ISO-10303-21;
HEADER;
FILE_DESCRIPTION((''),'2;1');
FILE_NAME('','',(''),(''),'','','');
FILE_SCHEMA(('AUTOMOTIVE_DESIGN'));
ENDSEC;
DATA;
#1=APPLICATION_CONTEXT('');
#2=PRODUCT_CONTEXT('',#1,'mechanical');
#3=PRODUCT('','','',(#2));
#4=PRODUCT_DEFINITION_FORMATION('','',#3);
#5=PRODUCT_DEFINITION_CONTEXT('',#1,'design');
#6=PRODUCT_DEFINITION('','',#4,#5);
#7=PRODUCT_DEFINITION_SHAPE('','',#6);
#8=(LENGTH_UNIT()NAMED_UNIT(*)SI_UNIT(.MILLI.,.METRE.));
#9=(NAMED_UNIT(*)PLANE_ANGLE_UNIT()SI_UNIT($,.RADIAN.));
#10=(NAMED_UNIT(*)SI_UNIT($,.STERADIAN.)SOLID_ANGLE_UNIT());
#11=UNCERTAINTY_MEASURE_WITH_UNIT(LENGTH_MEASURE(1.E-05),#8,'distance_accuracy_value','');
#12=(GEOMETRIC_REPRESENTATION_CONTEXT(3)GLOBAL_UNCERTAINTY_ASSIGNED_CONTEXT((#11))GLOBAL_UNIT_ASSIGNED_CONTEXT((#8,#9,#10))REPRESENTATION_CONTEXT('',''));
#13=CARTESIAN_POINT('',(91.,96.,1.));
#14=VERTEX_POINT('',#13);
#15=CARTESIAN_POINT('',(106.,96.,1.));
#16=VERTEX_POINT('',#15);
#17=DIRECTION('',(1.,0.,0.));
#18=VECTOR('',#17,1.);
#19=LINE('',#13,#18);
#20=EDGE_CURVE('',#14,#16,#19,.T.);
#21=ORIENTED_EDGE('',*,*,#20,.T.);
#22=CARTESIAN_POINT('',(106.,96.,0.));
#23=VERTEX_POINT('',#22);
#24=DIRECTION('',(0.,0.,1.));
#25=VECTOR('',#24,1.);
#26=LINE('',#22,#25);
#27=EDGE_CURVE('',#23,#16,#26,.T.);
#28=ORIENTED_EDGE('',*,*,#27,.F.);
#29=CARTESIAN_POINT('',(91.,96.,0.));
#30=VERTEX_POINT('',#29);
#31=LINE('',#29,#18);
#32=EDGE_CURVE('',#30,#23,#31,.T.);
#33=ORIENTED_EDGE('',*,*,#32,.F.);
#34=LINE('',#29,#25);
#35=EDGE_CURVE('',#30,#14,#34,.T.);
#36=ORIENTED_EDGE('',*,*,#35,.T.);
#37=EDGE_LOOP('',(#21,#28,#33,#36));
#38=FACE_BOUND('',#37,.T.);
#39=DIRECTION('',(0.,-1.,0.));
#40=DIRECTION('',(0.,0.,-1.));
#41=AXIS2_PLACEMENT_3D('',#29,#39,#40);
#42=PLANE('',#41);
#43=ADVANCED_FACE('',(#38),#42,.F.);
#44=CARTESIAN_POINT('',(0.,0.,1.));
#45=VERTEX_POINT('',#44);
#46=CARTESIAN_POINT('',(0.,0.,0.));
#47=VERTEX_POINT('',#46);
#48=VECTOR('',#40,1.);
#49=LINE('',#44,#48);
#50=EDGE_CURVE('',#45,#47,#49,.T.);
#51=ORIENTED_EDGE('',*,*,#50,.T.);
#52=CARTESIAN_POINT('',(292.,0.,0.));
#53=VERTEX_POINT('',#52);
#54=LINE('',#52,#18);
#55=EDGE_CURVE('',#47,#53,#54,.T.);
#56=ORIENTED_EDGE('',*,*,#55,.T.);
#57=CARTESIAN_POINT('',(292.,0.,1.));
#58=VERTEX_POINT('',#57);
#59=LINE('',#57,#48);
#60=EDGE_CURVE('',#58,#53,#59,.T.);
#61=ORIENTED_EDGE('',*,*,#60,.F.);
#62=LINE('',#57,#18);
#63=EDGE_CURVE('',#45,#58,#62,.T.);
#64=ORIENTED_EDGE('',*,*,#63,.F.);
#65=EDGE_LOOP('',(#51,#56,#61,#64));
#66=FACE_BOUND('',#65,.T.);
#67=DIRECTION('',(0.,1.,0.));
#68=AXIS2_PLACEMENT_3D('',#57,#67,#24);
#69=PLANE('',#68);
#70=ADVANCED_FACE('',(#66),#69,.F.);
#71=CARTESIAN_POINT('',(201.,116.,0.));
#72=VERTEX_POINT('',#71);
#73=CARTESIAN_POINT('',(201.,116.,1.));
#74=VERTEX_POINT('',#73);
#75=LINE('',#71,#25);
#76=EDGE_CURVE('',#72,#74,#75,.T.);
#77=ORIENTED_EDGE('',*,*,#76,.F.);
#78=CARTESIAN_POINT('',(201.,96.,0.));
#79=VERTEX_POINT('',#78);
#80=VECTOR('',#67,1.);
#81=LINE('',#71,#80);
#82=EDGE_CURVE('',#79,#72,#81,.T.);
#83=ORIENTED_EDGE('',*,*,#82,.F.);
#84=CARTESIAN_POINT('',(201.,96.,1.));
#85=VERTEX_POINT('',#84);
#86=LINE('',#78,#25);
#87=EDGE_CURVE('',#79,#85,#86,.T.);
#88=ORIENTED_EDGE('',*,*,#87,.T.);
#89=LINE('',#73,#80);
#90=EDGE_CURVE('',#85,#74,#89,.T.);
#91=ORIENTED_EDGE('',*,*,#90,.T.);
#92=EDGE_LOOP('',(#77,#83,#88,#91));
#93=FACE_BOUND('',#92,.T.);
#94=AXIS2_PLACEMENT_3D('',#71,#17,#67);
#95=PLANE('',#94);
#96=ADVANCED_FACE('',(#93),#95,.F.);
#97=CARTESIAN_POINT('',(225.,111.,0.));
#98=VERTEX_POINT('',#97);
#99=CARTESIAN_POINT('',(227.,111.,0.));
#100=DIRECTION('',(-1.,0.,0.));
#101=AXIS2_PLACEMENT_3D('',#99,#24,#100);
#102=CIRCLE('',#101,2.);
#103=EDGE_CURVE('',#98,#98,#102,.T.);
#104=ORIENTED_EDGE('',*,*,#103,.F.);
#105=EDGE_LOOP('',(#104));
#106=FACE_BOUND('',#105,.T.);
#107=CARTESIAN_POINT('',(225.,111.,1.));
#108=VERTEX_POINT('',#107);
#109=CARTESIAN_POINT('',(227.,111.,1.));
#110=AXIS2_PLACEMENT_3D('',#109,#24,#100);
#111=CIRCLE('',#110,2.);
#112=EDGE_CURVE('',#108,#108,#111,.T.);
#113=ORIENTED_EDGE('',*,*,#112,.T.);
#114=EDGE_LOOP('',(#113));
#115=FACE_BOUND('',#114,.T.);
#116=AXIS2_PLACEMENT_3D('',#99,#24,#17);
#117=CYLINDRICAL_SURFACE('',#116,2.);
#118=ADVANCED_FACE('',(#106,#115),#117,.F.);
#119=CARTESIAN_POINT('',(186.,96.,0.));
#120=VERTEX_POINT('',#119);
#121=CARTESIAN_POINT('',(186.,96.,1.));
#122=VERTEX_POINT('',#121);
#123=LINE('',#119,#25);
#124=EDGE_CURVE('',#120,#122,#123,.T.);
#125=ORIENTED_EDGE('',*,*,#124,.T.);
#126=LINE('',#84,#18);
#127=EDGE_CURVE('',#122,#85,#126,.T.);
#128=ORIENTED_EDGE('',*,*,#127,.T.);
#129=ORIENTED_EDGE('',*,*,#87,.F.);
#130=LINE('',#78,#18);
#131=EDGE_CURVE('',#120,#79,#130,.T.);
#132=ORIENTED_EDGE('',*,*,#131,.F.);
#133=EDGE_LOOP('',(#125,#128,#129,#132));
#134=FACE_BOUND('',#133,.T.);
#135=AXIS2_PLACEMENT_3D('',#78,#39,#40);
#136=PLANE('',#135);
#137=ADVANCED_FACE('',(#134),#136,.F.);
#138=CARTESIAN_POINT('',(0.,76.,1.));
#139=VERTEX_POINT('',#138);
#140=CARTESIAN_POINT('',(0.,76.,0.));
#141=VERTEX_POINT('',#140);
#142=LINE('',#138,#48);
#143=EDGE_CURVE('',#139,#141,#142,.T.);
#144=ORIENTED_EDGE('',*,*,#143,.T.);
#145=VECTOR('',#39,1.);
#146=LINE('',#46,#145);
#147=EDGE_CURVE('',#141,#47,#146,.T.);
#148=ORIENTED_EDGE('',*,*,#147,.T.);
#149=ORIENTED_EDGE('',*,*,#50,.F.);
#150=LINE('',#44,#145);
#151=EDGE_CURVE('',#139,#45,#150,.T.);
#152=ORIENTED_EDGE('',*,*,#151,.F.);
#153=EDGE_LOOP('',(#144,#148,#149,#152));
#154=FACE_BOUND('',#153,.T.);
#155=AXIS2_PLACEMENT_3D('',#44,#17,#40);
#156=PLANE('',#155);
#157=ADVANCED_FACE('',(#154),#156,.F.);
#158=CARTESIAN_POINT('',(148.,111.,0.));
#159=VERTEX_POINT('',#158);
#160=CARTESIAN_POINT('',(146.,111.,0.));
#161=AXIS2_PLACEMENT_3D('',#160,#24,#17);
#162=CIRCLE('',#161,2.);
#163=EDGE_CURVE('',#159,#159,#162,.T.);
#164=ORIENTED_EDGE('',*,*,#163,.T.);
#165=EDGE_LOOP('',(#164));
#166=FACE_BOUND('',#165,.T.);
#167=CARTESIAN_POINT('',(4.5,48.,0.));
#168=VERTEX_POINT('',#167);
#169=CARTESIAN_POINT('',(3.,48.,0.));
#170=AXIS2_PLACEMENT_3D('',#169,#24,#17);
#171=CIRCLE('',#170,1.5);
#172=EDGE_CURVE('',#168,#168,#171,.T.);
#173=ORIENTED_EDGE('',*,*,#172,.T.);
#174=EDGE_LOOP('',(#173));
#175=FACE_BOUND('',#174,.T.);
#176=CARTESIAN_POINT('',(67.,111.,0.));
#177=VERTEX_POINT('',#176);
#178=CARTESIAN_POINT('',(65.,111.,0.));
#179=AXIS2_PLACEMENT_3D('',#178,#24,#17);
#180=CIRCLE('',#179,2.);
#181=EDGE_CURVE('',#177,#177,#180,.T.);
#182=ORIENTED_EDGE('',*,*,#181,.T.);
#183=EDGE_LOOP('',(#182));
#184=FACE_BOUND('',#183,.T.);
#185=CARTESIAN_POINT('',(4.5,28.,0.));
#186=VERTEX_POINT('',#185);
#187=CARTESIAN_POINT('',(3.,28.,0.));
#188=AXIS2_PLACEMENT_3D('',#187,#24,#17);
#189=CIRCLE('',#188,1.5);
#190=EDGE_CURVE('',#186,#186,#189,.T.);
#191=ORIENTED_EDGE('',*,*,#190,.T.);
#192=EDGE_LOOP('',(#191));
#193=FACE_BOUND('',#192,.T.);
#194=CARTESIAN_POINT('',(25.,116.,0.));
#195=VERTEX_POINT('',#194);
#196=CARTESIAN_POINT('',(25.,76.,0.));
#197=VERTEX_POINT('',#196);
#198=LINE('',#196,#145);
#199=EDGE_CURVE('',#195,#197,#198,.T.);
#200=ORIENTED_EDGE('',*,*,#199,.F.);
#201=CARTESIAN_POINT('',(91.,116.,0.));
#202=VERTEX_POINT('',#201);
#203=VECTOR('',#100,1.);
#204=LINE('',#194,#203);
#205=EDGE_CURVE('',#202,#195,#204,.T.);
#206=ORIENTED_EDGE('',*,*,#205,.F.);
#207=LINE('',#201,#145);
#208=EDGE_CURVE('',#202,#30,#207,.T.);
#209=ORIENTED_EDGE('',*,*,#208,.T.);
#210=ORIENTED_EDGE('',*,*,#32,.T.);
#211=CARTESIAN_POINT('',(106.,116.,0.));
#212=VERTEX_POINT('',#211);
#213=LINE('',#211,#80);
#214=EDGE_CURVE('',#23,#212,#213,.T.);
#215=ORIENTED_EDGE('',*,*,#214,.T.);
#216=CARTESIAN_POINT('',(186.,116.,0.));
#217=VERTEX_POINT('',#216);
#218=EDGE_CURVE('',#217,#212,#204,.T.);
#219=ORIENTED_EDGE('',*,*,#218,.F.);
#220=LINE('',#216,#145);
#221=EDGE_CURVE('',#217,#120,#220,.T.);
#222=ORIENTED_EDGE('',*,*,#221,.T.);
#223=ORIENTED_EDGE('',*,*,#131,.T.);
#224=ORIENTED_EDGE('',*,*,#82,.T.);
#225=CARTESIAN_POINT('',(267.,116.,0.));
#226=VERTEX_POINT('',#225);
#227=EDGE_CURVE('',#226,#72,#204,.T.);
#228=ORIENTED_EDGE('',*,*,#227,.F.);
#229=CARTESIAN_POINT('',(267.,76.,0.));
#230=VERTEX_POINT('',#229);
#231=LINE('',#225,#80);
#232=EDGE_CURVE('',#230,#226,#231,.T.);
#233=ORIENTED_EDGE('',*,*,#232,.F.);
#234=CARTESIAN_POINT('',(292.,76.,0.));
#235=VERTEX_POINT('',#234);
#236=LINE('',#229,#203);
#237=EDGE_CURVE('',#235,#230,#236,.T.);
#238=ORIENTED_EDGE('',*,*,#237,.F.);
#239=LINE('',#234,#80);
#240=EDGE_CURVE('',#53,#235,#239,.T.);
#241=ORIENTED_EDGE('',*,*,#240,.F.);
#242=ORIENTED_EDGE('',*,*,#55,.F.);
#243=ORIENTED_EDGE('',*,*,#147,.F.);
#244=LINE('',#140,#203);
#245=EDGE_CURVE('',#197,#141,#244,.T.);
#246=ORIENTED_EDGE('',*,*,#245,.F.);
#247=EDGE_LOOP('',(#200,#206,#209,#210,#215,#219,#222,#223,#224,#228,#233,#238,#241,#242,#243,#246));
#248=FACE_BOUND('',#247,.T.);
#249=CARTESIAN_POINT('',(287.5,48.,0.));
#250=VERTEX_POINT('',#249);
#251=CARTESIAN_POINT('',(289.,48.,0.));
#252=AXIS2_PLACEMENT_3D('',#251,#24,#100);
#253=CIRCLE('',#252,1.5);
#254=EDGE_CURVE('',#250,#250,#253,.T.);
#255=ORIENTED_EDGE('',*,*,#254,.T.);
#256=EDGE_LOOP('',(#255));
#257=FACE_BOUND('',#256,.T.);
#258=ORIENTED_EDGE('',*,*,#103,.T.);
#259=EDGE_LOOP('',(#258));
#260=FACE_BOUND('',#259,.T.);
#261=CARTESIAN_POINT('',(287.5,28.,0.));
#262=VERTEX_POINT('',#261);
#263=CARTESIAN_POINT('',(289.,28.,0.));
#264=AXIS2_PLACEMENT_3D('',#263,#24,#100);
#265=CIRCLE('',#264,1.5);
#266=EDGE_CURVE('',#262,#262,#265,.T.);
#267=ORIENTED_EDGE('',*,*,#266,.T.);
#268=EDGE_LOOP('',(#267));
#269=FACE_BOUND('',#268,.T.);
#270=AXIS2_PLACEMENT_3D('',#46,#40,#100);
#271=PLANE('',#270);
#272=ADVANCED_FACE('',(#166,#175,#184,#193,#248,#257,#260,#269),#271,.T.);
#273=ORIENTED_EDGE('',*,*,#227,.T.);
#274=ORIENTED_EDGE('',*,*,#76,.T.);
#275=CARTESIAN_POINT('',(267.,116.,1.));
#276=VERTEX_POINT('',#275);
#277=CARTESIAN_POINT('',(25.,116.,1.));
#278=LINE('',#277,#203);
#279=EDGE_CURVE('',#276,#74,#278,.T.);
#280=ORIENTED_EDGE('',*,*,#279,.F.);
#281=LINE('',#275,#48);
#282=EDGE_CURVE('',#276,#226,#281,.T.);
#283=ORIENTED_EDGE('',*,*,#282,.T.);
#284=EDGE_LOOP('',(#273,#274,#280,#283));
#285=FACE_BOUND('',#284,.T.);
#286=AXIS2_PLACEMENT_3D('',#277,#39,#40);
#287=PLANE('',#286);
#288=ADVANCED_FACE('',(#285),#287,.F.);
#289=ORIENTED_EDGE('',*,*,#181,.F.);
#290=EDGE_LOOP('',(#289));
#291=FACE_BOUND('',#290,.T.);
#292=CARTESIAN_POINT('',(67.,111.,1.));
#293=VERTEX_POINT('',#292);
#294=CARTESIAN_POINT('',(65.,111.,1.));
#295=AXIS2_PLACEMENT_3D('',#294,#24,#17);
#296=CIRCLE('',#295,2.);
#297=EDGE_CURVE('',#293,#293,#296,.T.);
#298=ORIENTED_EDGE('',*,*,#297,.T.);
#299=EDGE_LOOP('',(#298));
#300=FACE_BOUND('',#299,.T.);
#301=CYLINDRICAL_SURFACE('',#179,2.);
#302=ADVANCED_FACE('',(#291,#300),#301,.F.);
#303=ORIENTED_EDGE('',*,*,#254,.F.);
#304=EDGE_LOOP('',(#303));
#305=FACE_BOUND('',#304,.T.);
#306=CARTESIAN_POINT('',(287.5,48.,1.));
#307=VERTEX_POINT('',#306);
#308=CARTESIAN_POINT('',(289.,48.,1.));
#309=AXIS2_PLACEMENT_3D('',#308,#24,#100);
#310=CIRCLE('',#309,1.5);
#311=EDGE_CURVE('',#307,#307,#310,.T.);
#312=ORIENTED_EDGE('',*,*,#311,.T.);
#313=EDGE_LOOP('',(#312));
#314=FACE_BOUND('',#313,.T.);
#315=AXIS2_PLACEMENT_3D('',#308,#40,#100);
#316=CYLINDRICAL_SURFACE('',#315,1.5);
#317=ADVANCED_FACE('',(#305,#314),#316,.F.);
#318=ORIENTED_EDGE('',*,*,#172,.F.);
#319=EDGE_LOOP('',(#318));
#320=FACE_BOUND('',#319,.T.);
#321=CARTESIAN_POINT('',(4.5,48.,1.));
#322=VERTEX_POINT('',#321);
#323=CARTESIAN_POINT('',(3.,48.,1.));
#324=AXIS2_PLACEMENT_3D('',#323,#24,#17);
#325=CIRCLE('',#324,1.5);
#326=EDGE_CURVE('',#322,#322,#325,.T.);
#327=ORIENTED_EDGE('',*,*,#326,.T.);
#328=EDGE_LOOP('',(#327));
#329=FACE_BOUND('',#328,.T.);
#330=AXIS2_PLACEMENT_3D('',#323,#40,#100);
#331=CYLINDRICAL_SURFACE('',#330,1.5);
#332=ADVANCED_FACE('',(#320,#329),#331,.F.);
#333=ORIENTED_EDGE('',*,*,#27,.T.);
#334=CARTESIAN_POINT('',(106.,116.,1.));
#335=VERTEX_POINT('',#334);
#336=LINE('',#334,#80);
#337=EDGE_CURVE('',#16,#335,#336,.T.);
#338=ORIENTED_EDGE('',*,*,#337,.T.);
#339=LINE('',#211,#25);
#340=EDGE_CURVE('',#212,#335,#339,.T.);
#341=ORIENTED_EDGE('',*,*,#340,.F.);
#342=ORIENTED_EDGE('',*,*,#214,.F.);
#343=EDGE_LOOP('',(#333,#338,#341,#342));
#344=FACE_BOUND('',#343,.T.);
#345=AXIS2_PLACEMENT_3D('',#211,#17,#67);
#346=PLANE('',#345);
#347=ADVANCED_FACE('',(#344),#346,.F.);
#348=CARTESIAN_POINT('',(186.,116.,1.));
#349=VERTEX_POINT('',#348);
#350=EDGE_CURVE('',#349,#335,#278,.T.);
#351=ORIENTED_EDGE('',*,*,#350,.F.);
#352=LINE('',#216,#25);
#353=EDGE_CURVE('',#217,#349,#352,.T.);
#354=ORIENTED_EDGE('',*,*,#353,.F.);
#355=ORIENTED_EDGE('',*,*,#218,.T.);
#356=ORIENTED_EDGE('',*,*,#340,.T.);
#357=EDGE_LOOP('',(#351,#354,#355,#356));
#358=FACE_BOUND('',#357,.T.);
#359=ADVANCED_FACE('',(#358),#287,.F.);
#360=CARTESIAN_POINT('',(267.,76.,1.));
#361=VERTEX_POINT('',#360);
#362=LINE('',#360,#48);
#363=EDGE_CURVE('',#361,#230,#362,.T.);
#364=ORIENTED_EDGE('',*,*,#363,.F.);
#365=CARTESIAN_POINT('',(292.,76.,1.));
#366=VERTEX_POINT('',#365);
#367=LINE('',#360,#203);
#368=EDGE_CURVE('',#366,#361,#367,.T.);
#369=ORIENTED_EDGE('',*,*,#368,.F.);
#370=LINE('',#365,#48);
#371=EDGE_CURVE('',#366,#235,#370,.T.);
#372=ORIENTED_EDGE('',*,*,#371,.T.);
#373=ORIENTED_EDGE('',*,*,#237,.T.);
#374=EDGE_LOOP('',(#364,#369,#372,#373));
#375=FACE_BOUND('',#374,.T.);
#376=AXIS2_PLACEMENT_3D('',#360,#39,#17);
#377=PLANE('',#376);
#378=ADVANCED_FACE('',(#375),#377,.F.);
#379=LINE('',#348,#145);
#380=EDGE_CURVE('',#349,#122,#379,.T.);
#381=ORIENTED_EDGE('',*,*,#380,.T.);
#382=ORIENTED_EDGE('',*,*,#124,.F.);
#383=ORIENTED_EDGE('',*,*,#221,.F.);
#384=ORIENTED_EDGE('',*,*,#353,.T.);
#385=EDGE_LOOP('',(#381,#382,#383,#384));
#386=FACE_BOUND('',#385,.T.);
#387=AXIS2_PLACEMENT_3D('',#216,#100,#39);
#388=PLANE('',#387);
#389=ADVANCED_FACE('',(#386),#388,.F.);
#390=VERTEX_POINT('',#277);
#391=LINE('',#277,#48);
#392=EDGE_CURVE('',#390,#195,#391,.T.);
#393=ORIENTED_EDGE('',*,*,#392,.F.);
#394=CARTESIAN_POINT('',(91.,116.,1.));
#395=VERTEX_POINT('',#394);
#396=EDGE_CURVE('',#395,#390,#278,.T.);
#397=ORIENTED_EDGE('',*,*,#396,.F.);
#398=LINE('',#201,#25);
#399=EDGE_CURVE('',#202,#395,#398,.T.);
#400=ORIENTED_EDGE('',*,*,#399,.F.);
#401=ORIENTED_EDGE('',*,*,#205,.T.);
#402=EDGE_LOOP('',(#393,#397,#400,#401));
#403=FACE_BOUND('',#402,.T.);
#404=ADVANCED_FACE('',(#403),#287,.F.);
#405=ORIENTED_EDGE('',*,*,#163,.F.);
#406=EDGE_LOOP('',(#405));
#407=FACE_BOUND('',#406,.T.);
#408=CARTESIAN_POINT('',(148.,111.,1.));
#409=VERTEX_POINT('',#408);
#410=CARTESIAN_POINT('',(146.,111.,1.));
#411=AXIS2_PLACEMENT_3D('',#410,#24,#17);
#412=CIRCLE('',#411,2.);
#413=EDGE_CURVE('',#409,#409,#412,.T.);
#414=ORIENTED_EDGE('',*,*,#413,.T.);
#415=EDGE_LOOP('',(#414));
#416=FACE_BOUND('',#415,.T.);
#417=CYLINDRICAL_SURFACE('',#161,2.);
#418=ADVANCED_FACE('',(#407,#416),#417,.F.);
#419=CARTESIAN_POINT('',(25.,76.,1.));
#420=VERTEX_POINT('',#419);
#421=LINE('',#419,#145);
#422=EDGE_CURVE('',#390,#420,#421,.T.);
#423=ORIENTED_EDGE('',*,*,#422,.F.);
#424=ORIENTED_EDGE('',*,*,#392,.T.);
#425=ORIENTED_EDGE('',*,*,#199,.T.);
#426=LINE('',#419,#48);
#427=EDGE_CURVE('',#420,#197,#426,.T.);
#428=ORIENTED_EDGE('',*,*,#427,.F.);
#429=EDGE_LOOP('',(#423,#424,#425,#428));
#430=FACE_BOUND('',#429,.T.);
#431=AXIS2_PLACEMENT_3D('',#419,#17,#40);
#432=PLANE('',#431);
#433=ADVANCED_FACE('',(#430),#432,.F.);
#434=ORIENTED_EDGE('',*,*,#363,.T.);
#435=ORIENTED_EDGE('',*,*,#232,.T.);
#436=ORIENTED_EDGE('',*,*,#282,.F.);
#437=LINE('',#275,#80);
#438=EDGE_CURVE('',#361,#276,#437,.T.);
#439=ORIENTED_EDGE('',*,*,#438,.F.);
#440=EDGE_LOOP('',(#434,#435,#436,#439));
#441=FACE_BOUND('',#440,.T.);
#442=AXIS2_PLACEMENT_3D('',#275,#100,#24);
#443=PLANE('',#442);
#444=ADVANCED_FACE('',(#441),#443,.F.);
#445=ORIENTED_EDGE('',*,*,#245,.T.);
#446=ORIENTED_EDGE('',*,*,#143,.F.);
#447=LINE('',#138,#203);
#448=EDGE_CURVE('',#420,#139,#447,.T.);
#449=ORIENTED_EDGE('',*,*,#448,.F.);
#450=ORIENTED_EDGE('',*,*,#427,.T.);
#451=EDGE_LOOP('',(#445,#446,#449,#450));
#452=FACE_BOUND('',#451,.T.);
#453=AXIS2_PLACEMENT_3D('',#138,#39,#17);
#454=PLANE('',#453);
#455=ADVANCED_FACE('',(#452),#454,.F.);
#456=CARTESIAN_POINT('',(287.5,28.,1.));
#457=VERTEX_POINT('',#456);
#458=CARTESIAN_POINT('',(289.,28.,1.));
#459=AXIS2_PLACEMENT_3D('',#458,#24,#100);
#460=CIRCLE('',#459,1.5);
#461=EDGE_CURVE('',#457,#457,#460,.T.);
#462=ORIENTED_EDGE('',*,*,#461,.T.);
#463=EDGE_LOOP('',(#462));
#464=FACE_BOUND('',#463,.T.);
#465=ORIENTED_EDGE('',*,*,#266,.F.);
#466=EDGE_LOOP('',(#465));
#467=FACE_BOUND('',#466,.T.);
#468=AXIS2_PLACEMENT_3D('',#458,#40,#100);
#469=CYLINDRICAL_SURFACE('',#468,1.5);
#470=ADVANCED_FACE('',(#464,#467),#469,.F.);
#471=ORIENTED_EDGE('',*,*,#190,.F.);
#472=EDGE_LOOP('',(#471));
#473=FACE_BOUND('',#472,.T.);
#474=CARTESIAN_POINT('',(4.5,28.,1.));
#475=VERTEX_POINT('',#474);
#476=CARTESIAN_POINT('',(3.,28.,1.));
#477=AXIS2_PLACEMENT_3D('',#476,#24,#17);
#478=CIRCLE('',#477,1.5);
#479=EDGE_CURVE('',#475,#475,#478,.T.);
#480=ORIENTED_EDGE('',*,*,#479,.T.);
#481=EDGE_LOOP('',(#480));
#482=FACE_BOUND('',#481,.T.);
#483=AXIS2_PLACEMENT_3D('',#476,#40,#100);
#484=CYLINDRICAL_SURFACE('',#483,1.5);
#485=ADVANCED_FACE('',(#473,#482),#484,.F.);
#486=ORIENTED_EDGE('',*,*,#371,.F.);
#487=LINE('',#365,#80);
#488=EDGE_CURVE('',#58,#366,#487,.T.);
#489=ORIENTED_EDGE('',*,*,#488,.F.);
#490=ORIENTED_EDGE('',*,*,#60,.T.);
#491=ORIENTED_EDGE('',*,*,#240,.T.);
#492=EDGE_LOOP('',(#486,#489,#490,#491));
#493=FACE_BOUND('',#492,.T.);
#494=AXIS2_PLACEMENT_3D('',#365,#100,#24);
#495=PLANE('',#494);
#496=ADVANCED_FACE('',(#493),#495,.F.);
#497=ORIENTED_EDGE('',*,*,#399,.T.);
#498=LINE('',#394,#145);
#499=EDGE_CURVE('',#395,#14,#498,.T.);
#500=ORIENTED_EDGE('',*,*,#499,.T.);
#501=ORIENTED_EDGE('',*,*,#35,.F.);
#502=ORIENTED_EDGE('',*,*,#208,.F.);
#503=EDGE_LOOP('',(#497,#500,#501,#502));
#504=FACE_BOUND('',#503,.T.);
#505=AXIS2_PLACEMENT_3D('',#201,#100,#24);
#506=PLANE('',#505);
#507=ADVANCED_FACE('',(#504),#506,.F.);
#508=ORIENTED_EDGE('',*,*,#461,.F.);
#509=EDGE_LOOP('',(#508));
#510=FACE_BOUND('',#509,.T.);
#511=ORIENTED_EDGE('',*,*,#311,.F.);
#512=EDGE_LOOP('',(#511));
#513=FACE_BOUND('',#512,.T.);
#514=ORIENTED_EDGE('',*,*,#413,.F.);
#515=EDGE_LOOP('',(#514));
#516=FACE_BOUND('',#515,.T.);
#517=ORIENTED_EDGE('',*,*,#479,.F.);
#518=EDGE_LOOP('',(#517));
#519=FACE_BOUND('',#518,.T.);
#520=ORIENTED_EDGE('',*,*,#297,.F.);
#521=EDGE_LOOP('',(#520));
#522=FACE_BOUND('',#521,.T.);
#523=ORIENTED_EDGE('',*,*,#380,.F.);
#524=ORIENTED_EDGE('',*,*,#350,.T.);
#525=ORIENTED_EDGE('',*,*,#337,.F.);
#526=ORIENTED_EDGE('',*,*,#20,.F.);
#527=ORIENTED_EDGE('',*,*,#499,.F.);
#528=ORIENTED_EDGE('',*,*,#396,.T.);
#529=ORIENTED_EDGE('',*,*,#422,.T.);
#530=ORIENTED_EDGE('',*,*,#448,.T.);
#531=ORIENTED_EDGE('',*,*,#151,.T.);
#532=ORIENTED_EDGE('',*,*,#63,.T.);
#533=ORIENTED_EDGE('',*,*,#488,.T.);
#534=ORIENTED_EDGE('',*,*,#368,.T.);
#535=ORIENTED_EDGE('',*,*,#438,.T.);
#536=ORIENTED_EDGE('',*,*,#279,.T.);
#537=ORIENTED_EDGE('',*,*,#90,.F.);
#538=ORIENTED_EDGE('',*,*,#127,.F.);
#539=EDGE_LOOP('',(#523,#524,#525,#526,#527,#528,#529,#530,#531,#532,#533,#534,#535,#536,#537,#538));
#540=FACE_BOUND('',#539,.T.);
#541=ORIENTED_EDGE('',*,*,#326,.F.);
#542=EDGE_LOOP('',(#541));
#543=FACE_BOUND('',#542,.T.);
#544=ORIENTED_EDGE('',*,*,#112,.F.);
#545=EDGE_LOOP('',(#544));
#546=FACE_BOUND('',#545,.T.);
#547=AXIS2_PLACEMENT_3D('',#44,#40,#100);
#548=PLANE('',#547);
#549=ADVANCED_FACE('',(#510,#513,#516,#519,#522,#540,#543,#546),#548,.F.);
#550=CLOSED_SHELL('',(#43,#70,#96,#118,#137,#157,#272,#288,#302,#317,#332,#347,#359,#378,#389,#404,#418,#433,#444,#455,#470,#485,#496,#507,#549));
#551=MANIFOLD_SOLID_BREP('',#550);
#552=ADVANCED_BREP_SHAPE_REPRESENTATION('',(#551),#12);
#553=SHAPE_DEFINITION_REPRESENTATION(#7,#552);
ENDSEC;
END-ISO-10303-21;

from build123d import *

# Parameters (mm, degrees)
SKETCH_1_R          = 1.5
EXTRUDE_1_DEPTH     = 1
SKETCH_2_R          = 2
SKETCH_2_W          = 15
SKETCH_2_H          = 20
CUT_EXTRUDE_1_DEPTH = 315.198981539


with BuildPart() as part:
    # 草图1 → 凸台-拉伸1 (new body)
    with BuildSketch(Plane.XY):
        Polygon((0, 0), (0, 76), (25, 76), (25, 116), (267, 116), (267, 76), (292, 76), (292, 0), align=None)
        with Locations((3, 48)):
            Circle(SKETCH_1_R, mode=Mode.SUBTRACT)
        with Locations((3, 28)):
            Circle(SKETCH_1_R, mode=Mode.SUBTRACT)
        with Locations(Location((289, 28, 0), (0, 0, 180))):
            Circle(SKETCH_1_R, mode=Mode.SUBTRACT)
        with Locations(Location((289, 48, 0), (0, 0, 180))):
            Circle(SKETCH_1_R, mode=Mode.SUBTRACT)
    extrude(amount=EXTRUDE_1_DEPTH)

    # 草图2 → 切除-拉伸1 (cut, through all)
    with BuildSketch(Plane.XY.offset(1)):
        with Locations((65, 111)):
            Circle(SKETCH_2_R)
        with Locations(Location((227, 111, 0), (0, 0, 180))):
            Circle(SKETCH_2_R)
        with Locations((146, 111)):
            Circle(SKETCH_2_R)
        with Locations((193.5, 106)):
            Rectangle(SKETCH_2_W, SKETCH_2_H)
        with Locations((98.5, 106)):
            Rectangle(SKETCH_2_W, SKETCH_2_H)
    extrude(amount=-CUT_EXTRUDE_1_DEPTH, mode=Mode.SUBTRACT)


solid = part.part
